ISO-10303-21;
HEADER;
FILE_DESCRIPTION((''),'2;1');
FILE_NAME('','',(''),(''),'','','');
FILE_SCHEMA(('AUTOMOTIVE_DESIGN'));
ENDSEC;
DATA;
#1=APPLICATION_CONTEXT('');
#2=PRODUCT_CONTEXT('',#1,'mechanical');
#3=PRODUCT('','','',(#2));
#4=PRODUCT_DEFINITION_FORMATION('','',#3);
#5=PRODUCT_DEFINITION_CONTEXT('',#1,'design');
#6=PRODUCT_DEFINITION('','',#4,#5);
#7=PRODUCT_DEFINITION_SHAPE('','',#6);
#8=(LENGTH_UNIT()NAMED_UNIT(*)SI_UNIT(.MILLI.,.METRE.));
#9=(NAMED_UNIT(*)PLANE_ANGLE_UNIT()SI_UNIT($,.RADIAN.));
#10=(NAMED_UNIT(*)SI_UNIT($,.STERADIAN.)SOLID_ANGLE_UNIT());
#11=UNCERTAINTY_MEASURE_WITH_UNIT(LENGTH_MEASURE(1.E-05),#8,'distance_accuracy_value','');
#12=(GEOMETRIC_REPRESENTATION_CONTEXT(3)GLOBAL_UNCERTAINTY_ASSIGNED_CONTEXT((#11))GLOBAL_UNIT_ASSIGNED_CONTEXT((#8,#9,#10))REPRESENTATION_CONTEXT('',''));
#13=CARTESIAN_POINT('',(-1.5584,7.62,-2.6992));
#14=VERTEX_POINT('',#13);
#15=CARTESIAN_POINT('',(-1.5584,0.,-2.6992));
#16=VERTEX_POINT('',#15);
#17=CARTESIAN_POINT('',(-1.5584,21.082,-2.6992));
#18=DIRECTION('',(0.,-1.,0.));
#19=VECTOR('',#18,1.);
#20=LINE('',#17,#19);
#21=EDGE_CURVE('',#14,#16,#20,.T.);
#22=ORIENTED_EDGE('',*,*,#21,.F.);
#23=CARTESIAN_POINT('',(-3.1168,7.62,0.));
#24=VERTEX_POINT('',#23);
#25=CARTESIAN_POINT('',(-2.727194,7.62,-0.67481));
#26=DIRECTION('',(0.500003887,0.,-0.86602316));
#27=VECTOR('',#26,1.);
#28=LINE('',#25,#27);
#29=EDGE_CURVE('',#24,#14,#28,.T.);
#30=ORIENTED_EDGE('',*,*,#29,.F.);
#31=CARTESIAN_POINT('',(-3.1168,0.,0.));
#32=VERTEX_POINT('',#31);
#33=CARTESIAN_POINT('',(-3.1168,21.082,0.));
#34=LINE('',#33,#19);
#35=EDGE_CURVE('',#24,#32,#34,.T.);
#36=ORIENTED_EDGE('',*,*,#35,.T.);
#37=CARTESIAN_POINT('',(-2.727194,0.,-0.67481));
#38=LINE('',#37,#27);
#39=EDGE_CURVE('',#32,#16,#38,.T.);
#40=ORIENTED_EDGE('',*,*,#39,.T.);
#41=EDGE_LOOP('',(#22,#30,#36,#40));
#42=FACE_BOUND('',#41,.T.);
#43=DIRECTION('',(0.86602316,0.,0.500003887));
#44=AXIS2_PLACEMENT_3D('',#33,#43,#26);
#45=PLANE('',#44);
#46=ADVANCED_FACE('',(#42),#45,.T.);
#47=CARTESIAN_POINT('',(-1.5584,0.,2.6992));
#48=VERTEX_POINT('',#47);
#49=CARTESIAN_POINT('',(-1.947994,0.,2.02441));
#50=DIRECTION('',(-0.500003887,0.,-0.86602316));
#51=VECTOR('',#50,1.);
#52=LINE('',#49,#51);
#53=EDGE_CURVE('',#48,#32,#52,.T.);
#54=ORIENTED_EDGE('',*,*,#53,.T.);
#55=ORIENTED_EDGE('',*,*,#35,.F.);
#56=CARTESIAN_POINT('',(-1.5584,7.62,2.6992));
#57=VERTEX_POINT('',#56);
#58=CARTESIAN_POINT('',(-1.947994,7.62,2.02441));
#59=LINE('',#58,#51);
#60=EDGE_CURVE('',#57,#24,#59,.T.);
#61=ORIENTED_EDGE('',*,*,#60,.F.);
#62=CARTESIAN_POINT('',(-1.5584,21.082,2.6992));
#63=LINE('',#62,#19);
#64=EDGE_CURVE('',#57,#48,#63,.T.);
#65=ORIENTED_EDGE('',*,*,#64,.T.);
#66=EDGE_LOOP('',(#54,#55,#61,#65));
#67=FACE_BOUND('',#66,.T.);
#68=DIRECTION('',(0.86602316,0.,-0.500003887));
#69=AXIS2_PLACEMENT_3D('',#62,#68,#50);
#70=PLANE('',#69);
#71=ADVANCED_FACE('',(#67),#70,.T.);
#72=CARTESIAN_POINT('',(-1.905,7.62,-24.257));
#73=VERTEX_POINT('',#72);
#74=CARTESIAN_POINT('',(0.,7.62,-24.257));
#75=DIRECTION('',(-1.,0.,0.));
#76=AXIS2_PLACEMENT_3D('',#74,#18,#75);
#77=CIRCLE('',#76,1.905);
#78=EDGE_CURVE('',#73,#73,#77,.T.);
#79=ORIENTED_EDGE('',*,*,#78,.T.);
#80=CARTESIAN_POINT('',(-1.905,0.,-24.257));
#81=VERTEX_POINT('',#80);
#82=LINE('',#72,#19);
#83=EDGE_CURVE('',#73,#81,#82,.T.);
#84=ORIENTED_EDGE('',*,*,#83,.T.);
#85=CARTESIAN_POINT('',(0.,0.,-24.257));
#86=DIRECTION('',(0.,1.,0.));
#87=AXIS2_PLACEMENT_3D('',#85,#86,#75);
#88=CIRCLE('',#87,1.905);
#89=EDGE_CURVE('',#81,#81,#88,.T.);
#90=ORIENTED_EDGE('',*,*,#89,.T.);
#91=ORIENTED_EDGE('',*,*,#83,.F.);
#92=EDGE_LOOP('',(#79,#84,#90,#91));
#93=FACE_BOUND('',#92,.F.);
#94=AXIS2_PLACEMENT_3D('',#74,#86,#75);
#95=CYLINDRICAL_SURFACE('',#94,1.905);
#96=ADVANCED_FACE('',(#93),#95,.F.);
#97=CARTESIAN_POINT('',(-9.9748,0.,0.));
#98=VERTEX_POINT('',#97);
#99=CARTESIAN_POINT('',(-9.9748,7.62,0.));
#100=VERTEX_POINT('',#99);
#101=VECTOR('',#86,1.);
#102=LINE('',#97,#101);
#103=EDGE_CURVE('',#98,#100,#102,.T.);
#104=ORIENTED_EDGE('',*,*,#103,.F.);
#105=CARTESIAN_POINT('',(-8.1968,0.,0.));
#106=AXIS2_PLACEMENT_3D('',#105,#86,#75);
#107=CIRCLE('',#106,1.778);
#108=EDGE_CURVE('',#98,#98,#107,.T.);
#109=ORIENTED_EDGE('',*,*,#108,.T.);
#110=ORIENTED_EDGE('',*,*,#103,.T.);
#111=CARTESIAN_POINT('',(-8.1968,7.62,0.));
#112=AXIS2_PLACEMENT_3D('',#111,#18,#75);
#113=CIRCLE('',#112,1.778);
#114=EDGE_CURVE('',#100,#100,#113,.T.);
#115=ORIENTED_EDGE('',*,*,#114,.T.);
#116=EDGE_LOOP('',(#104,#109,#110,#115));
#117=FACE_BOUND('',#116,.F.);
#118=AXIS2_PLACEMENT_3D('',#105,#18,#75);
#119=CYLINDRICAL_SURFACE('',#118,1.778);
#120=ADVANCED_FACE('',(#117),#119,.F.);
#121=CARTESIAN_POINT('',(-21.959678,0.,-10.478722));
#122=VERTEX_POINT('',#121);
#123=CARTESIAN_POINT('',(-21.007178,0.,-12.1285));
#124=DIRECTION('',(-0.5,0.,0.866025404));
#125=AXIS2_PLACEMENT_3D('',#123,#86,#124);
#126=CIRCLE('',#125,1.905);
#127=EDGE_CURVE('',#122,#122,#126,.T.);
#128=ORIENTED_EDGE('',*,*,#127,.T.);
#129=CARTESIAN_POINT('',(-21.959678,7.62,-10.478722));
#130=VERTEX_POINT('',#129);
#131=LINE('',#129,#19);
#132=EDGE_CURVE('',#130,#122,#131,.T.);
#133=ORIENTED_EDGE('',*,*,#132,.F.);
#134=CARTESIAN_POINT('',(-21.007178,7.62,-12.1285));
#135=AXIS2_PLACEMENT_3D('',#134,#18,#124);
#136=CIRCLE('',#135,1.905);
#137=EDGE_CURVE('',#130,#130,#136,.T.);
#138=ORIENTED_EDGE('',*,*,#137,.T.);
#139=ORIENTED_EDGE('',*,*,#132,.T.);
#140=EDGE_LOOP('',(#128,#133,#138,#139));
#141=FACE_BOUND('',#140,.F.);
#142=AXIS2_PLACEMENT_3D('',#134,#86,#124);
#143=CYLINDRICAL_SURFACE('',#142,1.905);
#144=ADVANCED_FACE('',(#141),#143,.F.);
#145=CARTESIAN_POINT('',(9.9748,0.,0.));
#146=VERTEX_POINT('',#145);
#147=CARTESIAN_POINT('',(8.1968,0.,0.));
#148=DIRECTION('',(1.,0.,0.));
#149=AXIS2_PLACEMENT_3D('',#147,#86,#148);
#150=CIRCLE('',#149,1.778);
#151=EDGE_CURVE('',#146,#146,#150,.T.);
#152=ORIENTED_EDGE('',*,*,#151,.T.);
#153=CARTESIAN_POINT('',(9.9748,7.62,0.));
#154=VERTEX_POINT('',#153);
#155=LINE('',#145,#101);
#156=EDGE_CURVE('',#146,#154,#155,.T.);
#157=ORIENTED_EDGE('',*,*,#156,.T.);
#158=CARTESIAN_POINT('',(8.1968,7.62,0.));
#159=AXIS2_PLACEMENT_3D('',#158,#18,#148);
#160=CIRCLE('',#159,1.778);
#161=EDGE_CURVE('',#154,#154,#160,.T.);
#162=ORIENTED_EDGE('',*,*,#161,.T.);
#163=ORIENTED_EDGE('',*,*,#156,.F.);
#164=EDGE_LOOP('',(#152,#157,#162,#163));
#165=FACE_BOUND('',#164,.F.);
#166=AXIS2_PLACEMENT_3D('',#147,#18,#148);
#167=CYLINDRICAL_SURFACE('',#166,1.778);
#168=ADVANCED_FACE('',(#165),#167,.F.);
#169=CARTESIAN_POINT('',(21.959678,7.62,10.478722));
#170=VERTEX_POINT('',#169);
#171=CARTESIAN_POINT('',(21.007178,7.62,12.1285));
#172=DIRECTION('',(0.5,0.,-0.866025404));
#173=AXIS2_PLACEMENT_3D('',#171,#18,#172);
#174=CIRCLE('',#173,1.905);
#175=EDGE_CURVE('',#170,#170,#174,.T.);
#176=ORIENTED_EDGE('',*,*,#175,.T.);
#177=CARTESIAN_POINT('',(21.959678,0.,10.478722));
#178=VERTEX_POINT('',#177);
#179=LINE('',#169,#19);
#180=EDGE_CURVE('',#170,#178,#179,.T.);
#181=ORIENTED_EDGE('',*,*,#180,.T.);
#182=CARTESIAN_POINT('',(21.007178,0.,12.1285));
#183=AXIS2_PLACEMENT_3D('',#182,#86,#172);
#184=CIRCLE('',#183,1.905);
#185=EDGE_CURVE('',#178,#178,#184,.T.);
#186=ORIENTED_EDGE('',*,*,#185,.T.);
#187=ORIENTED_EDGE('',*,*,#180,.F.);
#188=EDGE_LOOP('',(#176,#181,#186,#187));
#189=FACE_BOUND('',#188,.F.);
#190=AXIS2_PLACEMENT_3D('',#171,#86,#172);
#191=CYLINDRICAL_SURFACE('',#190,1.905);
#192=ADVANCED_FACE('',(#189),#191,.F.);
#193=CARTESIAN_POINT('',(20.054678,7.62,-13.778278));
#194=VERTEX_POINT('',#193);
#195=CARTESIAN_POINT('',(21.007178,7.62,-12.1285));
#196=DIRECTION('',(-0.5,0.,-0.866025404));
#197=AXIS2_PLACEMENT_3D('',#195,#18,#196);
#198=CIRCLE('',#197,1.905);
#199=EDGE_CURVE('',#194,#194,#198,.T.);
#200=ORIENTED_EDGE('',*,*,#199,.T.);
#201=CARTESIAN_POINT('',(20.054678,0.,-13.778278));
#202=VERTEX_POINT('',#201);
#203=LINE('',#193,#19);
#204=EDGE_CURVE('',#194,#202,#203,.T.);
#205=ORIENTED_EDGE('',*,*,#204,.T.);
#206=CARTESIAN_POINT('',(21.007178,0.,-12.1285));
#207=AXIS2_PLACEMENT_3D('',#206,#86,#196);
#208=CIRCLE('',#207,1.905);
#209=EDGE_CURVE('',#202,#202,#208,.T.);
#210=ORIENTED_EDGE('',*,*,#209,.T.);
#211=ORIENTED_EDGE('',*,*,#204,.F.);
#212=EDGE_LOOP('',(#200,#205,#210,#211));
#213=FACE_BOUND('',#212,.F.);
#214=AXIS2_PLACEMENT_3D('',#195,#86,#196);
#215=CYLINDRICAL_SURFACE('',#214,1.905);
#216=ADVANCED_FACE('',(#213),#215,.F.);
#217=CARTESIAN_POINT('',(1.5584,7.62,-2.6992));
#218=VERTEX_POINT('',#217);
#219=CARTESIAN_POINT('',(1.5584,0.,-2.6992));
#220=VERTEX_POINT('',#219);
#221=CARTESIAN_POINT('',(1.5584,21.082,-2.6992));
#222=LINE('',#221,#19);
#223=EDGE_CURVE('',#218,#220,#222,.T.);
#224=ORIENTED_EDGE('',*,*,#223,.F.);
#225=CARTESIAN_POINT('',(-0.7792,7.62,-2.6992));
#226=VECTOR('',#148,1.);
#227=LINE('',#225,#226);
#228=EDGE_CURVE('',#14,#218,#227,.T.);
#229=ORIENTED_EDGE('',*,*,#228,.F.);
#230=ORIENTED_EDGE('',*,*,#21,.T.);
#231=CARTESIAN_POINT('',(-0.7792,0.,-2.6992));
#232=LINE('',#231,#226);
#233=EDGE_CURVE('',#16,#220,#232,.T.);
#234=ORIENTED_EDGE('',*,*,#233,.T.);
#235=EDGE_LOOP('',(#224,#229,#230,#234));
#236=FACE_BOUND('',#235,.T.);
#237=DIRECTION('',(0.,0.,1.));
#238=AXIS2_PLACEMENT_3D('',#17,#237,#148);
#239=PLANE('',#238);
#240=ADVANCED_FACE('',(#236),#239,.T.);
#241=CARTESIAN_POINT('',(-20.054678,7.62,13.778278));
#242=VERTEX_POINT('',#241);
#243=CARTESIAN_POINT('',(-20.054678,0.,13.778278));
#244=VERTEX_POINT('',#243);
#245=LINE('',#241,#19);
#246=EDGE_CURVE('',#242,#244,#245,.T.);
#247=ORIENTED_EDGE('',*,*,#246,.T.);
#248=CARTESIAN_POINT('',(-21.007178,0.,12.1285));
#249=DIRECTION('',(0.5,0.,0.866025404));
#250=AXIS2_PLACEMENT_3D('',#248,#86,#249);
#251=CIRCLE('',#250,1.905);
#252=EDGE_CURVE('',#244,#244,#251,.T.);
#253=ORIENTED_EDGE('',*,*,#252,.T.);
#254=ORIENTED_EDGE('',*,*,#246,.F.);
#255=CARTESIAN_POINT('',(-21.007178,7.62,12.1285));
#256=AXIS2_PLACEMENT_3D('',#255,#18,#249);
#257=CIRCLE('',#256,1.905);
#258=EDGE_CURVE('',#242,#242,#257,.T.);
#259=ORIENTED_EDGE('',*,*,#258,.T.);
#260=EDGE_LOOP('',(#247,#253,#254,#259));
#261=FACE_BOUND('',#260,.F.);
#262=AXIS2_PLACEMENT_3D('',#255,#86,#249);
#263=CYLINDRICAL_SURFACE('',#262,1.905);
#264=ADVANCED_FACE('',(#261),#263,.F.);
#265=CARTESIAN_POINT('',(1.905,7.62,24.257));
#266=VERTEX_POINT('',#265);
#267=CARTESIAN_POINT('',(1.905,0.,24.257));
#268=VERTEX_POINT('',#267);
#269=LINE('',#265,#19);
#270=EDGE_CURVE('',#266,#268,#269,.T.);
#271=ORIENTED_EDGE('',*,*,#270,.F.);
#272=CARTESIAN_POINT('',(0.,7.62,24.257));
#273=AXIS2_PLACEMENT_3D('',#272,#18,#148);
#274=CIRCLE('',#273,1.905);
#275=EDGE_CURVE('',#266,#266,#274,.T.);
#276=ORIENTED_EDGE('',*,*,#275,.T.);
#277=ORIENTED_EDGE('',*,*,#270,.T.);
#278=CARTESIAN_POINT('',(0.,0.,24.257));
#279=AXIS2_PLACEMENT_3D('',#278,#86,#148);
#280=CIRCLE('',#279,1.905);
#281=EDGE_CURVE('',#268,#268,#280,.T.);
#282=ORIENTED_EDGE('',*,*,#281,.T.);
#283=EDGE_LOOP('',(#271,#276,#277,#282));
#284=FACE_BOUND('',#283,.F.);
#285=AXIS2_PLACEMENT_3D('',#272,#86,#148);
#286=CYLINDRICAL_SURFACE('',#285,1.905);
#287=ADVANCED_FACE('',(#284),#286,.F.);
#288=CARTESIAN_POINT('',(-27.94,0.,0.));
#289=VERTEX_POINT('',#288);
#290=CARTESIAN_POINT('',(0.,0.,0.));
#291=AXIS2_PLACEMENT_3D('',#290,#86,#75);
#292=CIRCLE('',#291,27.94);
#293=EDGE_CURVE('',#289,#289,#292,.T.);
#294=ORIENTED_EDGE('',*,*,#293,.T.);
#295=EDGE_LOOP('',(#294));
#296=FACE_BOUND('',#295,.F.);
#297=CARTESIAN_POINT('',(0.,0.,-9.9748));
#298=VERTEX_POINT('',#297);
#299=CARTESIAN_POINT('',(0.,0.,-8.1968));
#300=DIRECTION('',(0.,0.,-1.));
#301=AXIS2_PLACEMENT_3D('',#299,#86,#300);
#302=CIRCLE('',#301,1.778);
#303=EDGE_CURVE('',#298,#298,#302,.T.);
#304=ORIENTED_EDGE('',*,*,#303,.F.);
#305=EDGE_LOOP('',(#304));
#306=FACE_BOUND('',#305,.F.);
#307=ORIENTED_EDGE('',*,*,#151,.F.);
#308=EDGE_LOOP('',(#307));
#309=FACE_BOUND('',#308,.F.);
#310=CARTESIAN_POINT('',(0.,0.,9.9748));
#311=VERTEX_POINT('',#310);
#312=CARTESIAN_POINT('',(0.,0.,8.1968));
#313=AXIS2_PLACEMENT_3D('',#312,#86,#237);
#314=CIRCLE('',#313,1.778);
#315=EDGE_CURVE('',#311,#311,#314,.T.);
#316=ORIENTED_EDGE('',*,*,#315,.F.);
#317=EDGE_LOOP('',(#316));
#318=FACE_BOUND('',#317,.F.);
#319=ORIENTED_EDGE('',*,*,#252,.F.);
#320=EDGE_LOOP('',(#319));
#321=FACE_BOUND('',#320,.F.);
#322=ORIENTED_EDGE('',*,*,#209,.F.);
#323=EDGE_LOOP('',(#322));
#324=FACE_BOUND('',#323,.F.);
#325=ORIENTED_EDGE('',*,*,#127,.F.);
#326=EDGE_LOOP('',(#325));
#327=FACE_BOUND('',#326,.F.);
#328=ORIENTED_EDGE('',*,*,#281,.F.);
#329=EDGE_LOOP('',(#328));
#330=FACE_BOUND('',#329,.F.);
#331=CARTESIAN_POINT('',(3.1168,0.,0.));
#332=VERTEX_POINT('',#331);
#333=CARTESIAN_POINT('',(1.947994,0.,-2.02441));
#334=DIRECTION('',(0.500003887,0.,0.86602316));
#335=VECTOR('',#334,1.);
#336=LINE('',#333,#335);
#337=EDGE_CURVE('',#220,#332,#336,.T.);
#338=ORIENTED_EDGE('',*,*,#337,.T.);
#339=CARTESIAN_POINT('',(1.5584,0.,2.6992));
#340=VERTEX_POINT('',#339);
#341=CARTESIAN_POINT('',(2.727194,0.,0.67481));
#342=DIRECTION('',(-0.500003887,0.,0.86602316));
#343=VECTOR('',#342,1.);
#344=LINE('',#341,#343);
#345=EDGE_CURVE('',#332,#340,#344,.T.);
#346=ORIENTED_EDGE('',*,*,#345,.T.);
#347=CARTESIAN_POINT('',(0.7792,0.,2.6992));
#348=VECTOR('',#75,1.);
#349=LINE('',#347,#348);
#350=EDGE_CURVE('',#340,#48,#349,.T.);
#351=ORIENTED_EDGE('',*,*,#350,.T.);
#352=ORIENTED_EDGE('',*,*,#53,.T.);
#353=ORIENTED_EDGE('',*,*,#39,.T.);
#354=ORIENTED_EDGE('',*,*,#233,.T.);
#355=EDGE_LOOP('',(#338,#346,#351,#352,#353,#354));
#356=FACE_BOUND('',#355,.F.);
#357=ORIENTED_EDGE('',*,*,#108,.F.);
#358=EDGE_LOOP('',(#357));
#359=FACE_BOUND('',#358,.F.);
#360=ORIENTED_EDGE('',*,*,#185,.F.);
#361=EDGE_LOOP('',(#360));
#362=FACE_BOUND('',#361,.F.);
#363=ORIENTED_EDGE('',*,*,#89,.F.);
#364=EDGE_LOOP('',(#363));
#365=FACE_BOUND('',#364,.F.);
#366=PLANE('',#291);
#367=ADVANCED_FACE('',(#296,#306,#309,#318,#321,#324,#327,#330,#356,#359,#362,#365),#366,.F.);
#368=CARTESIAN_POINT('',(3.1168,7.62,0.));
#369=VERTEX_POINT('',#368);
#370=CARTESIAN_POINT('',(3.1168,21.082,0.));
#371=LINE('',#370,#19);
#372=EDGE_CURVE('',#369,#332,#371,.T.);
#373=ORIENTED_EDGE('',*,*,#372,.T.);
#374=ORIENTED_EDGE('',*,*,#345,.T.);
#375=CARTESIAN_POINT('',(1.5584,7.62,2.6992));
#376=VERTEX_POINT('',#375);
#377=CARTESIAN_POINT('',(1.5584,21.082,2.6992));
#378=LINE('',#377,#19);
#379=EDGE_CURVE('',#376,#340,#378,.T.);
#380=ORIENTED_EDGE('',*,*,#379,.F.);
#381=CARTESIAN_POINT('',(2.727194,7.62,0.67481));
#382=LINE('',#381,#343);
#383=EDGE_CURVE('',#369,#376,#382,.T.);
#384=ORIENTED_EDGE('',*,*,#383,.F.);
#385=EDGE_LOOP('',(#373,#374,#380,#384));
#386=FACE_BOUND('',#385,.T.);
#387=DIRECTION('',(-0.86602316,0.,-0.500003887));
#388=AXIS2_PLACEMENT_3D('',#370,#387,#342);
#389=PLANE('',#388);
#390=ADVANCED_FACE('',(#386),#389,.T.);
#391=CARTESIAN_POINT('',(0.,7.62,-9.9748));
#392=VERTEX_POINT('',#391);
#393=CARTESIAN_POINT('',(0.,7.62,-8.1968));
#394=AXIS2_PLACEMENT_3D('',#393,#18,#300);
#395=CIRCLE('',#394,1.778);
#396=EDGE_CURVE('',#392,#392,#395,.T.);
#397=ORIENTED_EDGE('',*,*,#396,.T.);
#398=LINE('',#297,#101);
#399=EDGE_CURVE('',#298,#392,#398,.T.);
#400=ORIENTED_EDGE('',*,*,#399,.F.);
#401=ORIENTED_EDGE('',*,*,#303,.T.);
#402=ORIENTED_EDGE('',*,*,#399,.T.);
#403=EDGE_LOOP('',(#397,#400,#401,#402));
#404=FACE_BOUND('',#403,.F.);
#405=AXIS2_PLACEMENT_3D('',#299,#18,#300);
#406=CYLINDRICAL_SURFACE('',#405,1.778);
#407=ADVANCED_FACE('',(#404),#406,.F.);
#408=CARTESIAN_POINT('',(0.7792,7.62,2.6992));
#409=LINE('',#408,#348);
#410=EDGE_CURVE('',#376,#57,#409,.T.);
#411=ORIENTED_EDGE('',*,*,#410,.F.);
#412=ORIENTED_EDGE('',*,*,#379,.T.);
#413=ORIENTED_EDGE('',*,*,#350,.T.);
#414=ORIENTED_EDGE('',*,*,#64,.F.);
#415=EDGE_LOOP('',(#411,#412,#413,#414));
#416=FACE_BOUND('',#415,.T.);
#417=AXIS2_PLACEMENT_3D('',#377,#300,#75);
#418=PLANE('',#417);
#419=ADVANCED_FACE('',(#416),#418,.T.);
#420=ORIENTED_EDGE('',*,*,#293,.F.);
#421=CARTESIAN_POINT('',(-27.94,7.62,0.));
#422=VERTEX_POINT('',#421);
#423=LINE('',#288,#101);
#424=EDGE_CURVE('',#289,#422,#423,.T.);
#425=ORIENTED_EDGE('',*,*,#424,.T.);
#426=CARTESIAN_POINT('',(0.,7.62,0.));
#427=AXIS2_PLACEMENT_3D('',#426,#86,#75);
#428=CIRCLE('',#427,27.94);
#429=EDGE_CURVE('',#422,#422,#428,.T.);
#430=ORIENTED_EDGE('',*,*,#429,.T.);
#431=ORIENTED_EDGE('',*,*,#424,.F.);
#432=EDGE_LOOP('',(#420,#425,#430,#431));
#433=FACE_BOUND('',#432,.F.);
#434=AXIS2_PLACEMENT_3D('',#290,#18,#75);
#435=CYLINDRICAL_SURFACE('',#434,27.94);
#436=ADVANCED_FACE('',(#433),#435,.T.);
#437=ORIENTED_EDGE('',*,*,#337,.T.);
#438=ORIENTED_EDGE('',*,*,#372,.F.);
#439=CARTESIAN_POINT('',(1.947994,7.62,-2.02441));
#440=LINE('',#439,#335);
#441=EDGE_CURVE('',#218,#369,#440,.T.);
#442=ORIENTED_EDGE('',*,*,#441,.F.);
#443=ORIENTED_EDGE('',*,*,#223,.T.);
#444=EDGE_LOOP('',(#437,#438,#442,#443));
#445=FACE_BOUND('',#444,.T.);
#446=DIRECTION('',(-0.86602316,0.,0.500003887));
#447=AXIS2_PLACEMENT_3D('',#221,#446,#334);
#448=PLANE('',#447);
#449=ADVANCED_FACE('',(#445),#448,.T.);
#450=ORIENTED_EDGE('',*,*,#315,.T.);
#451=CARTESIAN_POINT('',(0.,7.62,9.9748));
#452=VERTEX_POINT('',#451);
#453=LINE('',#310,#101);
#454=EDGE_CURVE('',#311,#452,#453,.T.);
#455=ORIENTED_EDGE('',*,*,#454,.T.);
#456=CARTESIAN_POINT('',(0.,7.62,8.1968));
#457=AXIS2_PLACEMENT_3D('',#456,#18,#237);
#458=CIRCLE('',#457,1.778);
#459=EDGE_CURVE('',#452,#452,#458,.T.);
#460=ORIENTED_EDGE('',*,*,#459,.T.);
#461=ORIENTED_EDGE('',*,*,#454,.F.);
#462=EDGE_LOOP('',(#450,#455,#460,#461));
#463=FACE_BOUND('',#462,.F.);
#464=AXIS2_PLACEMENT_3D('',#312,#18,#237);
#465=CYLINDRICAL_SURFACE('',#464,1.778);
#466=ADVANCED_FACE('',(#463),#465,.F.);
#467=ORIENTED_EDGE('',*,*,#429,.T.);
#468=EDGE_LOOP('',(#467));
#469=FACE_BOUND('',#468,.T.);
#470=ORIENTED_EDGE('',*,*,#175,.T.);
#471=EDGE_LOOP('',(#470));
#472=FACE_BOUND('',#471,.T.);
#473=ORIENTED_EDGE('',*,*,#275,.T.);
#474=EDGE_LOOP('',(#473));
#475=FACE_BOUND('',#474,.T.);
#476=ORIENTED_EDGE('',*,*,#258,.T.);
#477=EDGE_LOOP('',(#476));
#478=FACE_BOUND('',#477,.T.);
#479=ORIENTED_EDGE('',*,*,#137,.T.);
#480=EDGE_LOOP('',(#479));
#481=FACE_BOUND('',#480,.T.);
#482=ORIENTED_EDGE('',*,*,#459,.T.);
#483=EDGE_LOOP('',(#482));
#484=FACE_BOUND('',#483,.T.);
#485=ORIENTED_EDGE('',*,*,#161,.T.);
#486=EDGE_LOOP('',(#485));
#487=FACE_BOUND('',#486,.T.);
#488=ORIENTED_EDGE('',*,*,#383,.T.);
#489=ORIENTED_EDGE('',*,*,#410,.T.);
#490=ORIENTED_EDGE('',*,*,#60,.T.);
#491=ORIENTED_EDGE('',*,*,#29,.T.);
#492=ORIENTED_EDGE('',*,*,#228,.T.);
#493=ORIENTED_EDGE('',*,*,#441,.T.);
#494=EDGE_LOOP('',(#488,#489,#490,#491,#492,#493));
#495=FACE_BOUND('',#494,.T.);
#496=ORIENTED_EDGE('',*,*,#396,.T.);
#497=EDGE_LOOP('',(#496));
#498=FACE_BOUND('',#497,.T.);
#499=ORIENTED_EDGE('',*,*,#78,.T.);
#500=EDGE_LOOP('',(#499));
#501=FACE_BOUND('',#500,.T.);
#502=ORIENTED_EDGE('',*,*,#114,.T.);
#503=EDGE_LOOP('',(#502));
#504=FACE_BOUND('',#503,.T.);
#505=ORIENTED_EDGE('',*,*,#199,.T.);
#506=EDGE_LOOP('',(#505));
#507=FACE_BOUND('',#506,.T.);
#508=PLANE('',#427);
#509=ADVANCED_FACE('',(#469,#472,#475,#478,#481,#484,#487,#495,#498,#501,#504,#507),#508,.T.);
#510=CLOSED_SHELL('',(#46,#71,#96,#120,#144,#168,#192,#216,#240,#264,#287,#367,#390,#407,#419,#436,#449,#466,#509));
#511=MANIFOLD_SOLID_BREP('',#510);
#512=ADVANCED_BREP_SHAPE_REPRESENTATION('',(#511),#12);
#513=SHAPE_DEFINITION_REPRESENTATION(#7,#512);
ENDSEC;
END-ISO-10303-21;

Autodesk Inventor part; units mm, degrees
ref_plane "YZ Plane" through (0, 0, 0) normal (1, 0, 0) x (0, 1, 0)
ref_plane "XZ Plane" through (0, 0, 0) normal (0, 1, 0) x (-1, 0, 0)
ref_plane "XY Plane" through (0, 0, 0) normal (0, 0, 1) x (1, 0, 0)
sketch "Sketch1" plane through (0, 0, 0) normal (0, 1, 0) x (-1, 0, 0)
  circle A0 centre (0, 0) radius 27.94
  dimension "d0" = 55.88
extrude "Extrusion1" add sketch "Sketch1" along normal blind 7.62
ref_plane "Work Plane5" through (0, 21.082, 0) normal (0, 1, 0) x (1, 0, 0)
sketch "Sketch5" plane through (0, 21.082, 0) normal (0, 1, 0) x (1, 0, 0)
  line L0 (0, 0) -> (0, 2.667)
  line L1 (-3.1168, 0) -> (-1.5584, 2.6992)
  line L2 (-1.5584, 2.6992) -> (1.5584, 2.6992)
  line L3 (1.5584, 2.6992) -> (3.1168, 0)
  line L4 (3.1168, 0) -> (1.5584, -2.6992)
  line L5 (1.5584, -2.6992) -> (-1.5584, -2.6992)
  line L6 (-1.5584, -2.6992) -> (-3.1168, 0)
  dimension "d10" = 2.667
extrude "Extrusion4" cut sketch "Sketch5" against normal blind 25.4
sketch "Sketch6" plane through (0, 7.62, 0) normal (0, 1, 0) x (1, 0, 0)
  circle A0 centre (0, 0) radius 27.94 projected
  line L0 (0, -27.94) -> (0, -26.162)
  line L1 (0, -26.162) -> (0, -24.257)
  circle A1 centre (0, -24.257) radius 1.905
  dimension "d13" = 1.778
  dimension "d14" = 1.905
extrude "Extrusion5" cut sketch "Sketch6" against normal blind 25.4 contours A1
ref_plane "Work Plane6" through (0, 21.082, 0) normal (0, 1, 0) x (1, 0, 0)
pattern_circular "Circular Pattern1" count 6 over 360 about axis through (0, 21.082, 0) along (0, 1, 0) of "Extrusion5"
sketch "Sketch8" plane through (0, 0, 0) normal (0, -1, 0) x (1, 0, 0)
  line L0 (3.1168, 0) -> (1.5584, -2.6992) projected
  line L1 (3.1168, 0) -> (6.4188, 0)
  line L2 (6.4188, 0) -> (8.1968, 0)
  circle A0 centre (8.1968, 0) radius 1.778
  point P0 (0, 0)
  dimension "d20" = 3.302
  dimension "d21" = 1.778
extrude "Extrusion6" cut sketch "Sketch8" against normal blind 25.4
pattern_circular "Circular Pattern2" count 4 over 360 about axis through (0, 21.082, 0) along (0, 1, 0) of "Extrusion6"
properties part number "Wheel Mount"
